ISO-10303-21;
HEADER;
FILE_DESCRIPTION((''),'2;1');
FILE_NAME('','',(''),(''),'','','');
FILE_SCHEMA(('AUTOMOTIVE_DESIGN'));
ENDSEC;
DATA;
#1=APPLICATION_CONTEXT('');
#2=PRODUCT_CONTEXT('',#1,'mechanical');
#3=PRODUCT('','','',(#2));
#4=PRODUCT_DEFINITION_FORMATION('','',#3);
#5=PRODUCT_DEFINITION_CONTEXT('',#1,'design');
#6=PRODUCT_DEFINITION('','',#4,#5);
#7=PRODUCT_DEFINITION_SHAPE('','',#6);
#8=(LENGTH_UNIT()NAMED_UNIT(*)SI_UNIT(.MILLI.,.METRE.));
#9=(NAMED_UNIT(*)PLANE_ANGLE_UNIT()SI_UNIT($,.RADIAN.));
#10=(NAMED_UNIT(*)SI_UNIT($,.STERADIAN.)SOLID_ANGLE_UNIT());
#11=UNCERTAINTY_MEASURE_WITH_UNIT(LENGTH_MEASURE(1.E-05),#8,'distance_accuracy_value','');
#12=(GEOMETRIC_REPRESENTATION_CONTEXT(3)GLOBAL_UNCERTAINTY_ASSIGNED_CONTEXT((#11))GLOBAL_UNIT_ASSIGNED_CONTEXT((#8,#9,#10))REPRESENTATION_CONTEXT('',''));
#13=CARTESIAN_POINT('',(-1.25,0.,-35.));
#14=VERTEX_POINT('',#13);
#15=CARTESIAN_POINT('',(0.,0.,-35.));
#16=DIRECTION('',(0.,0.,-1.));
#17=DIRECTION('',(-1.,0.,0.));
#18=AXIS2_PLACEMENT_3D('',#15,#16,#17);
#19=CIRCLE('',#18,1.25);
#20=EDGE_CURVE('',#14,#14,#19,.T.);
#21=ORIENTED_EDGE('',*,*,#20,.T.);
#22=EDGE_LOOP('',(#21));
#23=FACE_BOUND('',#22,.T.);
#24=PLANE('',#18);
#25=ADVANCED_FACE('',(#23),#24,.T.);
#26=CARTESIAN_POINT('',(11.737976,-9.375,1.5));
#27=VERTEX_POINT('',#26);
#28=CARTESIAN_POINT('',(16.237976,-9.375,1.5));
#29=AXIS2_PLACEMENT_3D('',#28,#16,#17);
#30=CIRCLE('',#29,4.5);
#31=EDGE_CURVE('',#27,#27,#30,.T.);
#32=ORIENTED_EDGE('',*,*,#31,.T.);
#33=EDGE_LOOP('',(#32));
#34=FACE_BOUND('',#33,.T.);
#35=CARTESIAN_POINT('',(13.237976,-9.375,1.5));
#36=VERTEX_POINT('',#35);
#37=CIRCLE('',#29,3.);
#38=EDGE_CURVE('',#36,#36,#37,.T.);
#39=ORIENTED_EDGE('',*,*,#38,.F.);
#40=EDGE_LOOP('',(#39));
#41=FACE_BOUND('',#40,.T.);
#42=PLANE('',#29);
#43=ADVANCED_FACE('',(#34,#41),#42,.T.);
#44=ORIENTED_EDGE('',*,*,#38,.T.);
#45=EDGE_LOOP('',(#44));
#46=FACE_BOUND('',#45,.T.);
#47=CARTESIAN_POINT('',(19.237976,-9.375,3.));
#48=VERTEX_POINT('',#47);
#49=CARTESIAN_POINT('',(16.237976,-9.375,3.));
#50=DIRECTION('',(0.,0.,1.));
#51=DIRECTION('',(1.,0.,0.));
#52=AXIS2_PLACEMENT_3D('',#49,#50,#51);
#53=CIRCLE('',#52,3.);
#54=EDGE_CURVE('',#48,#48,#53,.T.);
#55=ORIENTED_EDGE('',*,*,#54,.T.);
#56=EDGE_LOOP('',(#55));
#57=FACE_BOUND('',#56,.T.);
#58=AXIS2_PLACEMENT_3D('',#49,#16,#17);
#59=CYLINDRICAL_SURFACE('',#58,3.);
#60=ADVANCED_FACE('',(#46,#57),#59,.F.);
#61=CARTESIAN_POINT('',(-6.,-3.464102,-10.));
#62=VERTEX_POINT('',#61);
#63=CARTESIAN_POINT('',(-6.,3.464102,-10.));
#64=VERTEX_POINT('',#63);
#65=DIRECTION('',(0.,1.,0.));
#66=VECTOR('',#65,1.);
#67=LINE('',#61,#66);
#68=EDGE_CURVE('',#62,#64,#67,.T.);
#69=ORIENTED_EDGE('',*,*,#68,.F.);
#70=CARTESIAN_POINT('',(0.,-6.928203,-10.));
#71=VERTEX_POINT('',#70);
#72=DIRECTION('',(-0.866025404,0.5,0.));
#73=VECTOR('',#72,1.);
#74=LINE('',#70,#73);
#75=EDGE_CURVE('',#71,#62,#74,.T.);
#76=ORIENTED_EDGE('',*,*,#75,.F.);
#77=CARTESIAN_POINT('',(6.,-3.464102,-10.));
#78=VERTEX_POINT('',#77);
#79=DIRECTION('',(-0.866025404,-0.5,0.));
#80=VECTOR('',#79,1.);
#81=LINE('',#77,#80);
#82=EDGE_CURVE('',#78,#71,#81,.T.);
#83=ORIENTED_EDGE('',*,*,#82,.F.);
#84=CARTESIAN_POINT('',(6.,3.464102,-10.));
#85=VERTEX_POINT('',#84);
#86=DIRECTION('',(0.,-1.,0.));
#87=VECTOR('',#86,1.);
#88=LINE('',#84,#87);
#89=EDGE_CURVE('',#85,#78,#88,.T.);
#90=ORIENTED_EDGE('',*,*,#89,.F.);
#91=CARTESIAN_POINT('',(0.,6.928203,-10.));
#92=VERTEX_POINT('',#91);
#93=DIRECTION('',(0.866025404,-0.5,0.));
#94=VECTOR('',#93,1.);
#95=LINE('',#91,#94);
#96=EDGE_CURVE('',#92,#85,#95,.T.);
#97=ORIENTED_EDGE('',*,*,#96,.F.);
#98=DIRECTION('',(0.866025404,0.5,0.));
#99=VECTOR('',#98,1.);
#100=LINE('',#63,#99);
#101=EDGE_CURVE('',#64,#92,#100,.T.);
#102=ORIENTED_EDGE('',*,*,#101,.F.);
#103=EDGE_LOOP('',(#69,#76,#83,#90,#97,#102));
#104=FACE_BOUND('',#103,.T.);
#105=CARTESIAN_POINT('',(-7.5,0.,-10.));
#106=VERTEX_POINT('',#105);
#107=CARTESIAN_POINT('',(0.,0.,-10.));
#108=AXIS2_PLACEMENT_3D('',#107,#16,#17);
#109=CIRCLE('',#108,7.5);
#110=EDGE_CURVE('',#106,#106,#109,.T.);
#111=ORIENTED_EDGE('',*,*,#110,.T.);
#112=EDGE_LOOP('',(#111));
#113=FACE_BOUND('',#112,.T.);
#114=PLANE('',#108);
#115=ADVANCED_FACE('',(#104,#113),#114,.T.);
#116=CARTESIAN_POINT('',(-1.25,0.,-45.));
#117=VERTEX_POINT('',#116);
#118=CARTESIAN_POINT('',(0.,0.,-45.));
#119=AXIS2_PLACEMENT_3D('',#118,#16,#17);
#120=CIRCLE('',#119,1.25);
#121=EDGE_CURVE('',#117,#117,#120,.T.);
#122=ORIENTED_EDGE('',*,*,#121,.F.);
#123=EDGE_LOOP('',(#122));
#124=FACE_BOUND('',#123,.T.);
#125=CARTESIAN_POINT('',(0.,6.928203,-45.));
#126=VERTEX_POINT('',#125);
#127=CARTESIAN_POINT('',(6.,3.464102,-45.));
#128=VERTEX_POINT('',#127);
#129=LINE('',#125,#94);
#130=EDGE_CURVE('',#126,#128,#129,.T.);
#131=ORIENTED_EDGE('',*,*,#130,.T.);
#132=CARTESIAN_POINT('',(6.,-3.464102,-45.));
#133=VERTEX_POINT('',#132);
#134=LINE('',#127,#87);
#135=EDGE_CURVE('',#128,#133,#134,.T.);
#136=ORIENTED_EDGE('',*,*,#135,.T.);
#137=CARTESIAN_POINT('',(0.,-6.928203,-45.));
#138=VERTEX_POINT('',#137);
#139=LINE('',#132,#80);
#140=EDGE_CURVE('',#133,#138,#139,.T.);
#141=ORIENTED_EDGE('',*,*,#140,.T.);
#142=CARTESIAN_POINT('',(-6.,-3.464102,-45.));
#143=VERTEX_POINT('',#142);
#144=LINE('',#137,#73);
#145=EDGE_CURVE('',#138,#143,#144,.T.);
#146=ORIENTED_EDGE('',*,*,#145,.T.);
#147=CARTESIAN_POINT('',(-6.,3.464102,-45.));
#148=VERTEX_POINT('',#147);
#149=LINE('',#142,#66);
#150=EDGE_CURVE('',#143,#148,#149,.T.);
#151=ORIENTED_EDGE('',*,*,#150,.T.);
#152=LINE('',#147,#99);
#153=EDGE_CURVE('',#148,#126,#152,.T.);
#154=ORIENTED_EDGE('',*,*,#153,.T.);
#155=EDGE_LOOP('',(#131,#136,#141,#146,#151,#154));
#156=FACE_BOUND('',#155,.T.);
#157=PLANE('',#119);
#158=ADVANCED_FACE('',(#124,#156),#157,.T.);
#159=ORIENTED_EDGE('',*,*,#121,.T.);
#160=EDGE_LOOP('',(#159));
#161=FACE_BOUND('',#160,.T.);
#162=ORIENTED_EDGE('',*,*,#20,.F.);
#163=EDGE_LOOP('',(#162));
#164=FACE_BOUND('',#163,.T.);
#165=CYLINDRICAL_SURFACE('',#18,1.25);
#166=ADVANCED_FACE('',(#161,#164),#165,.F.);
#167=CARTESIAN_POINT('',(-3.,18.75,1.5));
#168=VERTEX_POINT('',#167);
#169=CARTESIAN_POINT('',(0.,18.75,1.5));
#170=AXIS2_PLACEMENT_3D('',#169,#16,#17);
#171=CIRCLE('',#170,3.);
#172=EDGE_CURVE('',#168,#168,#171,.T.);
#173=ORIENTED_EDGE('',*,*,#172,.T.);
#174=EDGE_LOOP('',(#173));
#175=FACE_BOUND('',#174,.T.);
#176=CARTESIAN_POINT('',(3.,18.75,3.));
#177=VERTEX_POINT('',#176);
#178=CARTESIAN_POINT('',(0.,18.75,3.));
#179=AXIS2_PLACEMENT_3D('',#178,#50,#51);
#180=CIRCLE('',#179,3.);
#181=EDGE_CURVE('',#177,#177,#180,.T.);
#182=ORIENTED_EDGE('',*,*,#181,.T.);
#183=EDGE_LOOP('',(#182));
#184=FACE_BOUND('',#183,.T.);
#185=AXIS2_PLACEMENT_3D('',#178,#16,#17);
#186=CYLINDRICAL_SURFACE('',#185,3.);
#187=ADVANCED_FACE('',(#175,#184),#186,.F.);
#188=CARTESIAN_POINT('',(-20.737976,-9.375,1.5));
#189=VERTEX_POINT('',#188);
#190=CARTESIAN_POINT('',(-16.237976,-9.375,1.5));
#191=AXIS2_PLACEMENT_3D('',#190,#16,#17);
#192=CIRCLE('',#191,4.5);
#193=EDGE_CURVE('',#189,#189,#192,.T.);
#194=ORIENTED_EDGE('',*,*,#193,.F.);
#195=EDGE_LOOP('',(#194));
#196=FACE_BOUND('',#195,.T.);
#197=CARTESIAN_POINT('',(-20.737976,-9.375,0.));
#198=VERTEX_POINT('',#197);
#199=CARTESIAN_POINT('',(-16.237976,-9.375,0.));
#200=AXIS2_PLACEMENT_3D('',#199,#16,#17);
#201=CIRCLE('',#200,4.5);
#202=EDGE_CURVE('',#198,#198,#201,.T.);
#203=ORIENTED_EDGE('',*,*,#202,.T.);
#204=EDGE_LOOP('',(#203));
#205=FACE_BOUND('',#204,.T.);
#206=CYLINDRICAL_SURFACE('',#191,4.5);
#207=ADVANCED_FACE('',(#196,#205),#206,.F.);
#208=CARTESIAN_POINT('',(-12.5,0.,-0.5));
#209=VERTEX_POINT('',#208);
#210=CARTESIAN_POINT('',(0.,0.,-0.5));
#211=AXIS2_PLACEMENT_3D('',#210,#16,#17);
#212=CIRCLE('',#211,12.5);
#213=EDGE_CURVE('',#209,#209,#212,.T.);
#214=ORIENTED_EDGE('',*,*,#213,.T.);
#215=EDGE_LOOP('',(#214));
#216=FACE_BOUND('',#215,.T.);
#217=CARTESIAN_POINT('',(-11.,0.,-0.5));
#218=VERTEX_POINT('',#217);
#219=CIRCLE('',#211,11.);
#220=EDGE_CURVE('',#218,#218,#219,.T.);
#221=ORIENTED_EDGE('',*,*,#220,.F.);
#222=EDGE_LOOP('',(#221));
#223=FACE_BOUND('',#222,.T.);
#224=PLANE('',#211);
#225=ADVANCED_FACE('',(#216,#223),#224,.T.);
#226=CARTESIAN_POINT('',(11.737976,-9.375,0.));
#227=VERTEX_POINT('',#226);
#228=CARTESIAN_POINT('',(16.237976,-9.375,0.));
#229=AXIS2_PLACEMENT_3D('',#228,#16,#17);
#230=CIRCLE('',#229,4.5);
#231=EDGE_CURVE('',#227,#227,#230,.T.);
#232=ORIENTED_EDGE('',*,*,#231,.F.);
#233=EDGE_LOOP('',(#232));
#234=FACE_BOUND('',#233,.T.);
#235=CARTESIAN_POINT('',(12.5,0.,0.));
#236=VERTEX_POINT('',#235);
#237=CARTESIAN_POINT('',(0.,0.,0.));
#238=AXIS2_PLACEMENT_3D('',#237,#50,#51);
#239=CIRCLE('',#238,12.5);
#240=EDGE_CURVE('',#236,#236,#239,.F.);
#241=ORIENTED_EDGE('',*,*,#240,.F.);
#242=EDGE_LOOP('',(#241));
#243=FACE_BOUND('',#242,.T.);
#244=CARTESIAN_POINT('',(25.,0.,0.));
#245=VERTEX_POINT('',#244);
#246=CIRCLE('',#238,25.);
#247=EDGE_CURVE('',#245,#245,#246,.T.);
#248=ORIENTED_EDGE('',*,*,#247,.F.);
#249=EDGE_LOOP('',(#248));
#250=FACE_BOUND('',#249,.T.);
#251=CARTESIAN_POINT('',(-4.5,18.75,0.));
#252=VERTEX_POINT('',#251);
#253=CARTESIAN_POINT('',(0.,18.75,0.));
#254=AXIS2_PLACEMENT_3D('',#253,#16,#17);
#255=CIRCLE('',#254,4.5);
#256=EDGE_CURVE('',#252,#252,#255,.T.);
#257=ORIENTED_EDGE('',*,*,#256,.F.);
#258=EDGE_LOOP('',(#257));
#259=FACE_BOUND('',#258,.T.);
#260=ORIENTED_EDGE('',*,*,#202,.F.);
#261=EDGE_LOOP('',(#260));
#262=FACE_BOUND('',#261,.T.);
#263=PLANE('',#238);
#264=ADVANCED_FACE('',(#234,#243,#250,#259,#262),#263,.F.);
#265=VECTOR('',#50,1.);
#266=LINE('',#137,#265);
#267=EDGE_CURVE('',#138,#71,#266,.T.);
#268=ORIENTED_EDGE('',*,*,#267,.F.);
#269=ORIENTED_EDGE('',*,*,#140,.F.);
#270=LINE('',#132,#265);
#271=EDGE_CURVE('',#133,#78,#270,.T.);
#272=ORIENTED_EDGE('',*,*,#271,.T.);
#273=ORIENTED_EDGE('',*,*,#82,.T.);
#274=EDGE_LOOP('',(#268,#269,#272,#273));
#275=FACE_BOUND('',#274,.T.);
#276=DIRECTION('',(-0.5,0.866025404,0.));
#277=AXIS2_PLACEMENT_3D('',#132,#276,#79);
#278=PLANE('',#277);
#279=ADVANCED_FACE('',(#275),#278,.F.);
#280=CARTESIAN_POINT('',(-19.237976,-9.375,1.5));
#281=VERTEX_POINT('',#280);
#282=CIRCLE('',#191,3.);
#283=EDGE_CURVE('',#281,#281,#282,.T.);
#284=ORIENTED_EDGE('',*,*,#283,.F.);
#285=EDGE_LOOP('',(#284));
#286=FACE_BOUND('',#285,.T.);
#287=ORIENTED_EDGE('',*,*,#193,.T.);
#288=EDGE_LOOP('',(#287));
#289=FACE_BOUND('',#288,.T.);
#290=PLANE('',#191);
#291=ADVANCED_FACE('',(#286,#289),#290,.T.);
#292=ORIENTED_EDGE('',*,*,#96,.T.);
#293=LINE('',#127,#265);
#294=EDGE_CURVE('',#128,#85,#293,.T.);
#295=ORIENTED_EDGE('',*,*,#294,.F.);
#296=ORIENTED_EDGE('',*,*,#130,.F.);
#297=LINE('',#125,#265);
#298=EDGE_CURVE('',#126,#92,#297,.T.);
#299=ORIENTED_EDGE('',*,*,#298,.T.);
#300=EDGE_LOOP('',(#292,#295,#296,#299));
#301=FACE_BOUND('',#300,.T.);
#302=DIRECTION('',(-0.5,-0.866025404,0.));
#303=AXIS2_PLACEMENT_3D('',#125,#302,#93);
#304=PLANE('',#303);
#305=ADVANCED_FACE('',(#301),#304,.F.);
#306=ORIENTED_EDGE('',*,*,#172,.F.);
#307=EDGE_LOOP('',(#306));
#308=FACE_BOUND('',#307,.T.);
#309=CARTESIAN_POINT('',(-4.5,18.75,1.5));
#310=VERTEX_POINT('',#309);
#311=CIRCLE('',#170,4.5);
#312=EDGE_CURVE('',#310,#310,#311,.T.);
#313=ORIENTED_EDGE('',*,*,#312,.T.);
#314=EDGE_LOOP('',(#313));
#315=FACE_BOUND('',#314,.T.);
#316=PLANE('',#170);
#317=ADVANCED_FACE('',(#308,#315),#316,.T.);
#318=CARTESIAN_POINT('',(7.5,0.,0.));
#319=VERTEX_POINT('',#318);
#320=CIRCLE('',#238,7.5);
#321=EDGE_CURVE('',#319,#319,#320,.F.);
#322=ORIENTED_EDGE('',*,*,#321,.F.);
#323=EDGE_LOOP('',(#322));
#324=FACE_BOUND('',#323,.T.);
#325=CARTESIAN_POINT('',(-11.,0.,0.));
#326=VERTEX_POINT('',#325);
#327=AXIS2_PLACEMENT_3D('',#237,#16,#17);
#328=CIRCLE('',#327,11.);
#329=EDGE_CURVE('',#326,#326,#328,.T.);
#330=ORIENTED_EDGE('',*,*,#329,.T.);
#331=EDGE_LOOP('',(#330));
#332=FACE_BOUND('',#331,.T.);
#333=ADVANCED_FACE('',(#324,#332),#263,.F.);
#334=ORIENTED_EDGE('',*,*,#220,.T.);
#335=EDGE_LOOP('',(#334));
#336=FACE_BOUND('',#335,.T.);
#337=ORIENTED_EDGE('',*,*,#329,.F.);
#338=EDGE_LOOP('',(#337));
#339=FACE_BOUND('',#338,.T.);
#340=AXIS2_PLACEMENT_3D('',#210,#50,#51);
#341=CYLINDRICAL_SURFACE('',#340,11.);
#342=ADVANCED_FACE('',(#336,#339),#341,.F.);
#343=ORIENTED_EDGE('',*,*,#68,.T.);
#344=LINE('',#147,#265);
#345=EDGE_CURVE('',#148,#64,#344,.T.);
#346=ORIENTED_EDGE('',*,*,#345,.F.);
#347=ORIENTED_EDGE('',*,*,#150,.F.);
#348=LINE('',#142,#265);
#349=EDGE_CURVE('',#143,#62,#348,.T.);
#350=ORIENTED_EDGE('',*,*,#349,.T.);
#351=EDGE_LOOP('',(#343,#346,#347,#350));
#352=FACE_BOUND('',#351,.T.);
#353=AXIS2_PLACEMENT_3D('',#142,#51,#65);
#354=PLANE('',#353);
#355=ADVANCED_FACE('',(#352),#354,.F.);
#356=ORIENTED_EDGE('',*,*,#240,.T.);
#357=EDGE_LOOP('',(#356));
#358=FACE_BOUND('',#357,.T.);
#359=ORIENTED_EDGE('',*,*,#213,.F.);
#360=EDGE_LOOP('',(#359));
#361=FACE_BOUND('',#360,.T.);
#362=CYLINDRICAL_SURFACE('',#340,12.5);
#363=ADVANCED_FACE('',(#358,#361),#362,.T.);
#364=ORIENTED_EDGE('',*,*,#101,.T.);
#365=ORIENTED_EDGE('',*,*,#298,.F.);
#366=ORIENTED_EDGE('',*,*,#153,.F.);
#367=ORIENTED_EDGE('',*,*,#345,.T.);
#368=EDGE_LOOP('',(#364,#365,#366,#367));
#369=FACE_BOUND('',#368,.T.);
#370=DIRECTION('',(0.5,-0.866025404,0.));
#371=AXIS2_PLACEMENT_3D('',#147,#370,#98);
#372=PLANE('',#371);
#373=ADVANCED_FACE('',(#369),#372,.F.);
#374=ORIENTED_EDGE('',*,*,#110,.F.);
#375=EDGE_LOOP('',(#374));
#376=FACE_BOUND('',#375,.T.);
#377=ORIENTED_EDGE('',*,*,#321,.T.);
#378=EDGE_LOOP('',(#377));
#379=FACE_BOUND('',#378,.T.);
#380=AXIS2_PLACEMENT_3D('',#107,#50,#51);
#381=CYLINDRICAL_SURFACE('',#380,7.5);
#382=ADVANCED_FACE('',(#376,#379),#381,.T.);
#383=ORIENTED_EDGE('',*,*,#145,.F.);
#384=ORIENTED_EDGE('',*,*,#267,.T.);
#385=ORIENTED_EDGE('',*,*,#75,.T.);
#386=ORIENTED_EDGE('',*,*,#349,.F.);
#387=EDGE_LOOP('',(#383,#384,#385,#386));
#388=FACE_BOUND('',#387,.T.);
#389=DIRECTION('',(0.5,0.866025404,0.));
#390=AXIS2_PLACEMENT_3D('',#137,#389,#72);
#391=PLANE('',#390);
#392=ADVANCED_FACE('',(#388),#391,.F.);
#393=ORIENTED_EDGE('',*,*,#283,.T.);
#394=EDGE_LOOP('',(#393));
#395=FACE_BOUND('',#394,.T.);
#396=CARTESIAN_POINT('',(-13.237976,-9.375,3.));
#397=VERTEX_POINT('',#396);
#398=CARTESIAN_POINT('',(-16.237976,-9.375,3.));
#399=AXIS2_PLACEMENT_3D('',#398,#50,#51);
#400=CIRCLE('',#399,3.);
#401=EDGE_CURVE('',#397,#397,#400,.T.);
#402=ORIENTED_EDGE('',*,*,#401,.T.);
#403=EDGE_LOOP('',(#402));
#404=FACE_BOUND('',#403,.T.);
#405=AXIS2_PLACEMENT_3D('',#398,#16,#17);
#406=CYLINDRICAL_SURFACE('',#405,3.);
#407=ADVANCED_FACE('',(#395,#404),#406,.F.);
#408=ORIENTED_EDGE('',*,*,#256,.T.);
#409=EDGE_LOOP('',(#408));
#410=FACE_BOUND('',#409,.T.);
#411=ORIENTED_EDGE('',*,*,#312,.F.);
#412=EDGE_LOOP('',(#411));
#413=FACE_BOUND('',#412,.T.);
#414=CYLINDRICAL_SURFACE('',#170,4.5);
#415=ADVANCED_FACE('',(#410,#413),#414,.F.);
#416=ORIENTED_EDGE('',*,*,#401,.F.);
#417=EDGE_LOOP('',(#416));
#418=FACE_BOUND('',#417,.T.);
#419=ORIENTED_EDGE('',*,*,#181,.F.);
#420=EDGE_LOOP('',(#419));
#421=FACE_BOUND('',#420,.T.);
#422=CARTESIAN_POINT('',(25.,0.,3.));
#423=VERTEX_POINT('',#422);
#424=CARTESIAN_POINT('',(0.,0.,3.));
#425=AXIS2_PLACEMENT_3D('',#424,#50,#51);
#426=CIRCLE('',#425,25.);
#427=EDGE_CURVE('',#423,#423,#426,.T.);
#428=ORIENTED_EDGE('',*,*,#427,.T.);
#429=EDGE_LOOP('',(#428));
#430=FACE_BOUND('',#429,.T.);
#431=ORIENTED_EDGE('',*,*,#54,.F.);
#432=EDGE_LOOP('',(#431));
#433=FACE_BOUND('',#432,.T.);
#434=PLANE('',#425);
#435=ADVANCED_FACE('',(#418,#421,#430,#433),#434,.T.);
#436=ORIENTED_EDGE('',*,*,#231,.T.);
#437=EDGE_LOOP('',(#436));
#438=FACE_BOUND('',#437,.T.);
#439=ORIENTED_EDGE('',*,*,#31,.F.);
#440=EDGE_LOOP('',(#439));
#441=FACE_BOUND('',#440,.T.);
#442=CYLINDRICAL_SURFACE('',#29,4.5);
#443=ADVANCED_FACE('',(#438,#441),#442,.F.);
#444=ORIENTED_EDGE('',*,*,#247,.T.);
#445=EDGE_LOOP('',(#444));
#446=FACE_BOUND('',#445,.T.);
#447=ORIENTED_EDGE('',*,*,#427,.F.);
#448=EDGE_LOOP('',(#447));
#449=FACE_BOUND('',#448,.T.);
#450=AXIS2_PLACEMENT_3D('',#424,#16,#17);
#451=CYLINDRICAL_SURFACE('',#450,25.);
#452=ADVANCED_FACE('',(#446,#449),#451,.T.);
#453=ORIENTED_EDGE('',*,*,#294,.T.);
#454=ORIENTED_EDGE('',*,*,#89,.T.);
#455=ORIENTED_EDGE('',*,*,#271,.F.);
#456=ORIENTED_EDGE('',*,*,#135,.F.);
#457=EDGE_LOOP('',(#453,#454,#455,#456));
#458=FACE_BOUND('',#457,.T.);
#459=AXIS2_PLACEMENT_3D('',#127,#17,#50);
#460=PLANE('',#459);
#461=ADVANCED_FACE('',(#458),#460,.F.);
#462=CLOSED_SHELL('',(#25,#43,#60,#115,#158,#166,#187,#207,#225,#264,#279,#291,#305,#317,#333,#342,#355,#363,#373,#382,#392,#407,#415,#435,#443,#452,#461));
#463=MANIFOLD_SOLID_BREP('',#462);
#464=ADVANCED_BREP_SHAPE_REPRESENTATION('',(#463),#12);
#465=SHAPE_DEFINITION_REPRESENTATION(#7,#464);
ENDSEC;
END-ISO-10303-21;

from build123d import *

# Parameters (mm, degrees)
SKETCH1_R           = 25
SKETCH1_R_2         = 3
BOSS_EXTRUDE1_DEPTH = 3
SKETCH2_R           = 7.5
BOSS_EXTRUDE2_DEPTH = 10
BOSS_EXTRUDE3_DEPTH = 35
SKETCH4_R           = 1.25
CUT_EXTRUDE1_DEPTH  = 10
SKETCH5_R           = 12.5
SKETCH5_R_2         = 11
BOSS_EXTRUDE4_DEPTH = 0.5
SKETCH6_R           = 4.5
CUT_EXTRUDE2_DEPTH  = 1.5


with BuildPart() as part:
    # Sketch1 → Boss-Extrude1 (new body)
    with BuildSketch(Plane.XY):
        Circle(SKETCH1_R)
        with Locations((0, 18.75)):
            Circle(SKETCH1_R_2, mode=Mode.SUBTRACT)
        with Locations((16.237976321, -9.375)):
            Circle(SKETCH1_R_2, mode=Mode.SUBTRACT)
        with Locations((-16.237976321, -9.375)):
            Circle(SKETCH1_R_2, mode=Mode.SUBTRACT)
    extrude(amount=BOSS_EXTRUDE1_DEPTH)

    # Sketch2 → Boss-Extrude2 (add)
    with BuildSketch(Plane(origin=(0, 0, 0), x_dir=(-1, 0, 0), z_dir=(0, 0, -1))):
        with Locations(Location((0, 0, 0), (0, 0, 180))):
            Circle(SKETCH2_R)
    extrude(amount=BOSS_EXTRUDE2_DEPTH)

    # Sketch3 → Boss-Extrude3 (add)
    with BuildSketch(Plane(origin=(0, 0, -10), x_dir=(-1, 0, 0), z_dir=(0, 0, -1))):
        Polygon((0, -6.92820323), (6, -3.464101615), (6, 3.464101615), (0, 6.92820323), (-6, 3.464101615), (-6, -3.464101615), align=None)
    extrude(amount=BOSS_EXTRUDE3_DEPTH)

    # Sketch4 → Cut-Extrude1 (cut)
    with BuildSketch(Plane(origin=(0, 0, -45), x_dir=(-1, 0, 0), z_dir=(0, 0, -1))):
        Circle(SKETCH4_R)
    extrude(amount=-CUT_EXTRUDE1_DEPTH, mode=Mode.SUBTRACT)

    # Sketch5 → Boss-Extrude4 (add)
    with BuildSketch(Plane(origin=(0, 0, 0), x_dir=(-1, 0, 0), z_dir=(0, 0, -1))):
        with Locations(Location((0, 0, 0), (0, 0, 180))):
            Circle(SKETCH5_R)
        Circle(SKETCH5_R_2, mode=Mode.SUBTRACT)
    extrude(amount=BOSS_EXTRUDE4_DEPTH)

    # Sketch6 → Cut-Extrude2 (cut)
    with BuildSketch(Plane(origin=(0, 0, 0), x_dir=(-1, 0, 0), z_dir=(0, 0, -1))):
        with Locations((0, 18.75)):
            Circle(SKETCH6_R)
        with Locations((16.237976321, -9.375)):
            Circle(SKETCH6_R)
        with Locations((-16.237976321, -9.375)):
            Circle(SKETCH6_R)
    extrude(amount=-CUT_EXTRUDE2_DEPTH, mode=Mode.SUBTRACT)


solid = part.part
